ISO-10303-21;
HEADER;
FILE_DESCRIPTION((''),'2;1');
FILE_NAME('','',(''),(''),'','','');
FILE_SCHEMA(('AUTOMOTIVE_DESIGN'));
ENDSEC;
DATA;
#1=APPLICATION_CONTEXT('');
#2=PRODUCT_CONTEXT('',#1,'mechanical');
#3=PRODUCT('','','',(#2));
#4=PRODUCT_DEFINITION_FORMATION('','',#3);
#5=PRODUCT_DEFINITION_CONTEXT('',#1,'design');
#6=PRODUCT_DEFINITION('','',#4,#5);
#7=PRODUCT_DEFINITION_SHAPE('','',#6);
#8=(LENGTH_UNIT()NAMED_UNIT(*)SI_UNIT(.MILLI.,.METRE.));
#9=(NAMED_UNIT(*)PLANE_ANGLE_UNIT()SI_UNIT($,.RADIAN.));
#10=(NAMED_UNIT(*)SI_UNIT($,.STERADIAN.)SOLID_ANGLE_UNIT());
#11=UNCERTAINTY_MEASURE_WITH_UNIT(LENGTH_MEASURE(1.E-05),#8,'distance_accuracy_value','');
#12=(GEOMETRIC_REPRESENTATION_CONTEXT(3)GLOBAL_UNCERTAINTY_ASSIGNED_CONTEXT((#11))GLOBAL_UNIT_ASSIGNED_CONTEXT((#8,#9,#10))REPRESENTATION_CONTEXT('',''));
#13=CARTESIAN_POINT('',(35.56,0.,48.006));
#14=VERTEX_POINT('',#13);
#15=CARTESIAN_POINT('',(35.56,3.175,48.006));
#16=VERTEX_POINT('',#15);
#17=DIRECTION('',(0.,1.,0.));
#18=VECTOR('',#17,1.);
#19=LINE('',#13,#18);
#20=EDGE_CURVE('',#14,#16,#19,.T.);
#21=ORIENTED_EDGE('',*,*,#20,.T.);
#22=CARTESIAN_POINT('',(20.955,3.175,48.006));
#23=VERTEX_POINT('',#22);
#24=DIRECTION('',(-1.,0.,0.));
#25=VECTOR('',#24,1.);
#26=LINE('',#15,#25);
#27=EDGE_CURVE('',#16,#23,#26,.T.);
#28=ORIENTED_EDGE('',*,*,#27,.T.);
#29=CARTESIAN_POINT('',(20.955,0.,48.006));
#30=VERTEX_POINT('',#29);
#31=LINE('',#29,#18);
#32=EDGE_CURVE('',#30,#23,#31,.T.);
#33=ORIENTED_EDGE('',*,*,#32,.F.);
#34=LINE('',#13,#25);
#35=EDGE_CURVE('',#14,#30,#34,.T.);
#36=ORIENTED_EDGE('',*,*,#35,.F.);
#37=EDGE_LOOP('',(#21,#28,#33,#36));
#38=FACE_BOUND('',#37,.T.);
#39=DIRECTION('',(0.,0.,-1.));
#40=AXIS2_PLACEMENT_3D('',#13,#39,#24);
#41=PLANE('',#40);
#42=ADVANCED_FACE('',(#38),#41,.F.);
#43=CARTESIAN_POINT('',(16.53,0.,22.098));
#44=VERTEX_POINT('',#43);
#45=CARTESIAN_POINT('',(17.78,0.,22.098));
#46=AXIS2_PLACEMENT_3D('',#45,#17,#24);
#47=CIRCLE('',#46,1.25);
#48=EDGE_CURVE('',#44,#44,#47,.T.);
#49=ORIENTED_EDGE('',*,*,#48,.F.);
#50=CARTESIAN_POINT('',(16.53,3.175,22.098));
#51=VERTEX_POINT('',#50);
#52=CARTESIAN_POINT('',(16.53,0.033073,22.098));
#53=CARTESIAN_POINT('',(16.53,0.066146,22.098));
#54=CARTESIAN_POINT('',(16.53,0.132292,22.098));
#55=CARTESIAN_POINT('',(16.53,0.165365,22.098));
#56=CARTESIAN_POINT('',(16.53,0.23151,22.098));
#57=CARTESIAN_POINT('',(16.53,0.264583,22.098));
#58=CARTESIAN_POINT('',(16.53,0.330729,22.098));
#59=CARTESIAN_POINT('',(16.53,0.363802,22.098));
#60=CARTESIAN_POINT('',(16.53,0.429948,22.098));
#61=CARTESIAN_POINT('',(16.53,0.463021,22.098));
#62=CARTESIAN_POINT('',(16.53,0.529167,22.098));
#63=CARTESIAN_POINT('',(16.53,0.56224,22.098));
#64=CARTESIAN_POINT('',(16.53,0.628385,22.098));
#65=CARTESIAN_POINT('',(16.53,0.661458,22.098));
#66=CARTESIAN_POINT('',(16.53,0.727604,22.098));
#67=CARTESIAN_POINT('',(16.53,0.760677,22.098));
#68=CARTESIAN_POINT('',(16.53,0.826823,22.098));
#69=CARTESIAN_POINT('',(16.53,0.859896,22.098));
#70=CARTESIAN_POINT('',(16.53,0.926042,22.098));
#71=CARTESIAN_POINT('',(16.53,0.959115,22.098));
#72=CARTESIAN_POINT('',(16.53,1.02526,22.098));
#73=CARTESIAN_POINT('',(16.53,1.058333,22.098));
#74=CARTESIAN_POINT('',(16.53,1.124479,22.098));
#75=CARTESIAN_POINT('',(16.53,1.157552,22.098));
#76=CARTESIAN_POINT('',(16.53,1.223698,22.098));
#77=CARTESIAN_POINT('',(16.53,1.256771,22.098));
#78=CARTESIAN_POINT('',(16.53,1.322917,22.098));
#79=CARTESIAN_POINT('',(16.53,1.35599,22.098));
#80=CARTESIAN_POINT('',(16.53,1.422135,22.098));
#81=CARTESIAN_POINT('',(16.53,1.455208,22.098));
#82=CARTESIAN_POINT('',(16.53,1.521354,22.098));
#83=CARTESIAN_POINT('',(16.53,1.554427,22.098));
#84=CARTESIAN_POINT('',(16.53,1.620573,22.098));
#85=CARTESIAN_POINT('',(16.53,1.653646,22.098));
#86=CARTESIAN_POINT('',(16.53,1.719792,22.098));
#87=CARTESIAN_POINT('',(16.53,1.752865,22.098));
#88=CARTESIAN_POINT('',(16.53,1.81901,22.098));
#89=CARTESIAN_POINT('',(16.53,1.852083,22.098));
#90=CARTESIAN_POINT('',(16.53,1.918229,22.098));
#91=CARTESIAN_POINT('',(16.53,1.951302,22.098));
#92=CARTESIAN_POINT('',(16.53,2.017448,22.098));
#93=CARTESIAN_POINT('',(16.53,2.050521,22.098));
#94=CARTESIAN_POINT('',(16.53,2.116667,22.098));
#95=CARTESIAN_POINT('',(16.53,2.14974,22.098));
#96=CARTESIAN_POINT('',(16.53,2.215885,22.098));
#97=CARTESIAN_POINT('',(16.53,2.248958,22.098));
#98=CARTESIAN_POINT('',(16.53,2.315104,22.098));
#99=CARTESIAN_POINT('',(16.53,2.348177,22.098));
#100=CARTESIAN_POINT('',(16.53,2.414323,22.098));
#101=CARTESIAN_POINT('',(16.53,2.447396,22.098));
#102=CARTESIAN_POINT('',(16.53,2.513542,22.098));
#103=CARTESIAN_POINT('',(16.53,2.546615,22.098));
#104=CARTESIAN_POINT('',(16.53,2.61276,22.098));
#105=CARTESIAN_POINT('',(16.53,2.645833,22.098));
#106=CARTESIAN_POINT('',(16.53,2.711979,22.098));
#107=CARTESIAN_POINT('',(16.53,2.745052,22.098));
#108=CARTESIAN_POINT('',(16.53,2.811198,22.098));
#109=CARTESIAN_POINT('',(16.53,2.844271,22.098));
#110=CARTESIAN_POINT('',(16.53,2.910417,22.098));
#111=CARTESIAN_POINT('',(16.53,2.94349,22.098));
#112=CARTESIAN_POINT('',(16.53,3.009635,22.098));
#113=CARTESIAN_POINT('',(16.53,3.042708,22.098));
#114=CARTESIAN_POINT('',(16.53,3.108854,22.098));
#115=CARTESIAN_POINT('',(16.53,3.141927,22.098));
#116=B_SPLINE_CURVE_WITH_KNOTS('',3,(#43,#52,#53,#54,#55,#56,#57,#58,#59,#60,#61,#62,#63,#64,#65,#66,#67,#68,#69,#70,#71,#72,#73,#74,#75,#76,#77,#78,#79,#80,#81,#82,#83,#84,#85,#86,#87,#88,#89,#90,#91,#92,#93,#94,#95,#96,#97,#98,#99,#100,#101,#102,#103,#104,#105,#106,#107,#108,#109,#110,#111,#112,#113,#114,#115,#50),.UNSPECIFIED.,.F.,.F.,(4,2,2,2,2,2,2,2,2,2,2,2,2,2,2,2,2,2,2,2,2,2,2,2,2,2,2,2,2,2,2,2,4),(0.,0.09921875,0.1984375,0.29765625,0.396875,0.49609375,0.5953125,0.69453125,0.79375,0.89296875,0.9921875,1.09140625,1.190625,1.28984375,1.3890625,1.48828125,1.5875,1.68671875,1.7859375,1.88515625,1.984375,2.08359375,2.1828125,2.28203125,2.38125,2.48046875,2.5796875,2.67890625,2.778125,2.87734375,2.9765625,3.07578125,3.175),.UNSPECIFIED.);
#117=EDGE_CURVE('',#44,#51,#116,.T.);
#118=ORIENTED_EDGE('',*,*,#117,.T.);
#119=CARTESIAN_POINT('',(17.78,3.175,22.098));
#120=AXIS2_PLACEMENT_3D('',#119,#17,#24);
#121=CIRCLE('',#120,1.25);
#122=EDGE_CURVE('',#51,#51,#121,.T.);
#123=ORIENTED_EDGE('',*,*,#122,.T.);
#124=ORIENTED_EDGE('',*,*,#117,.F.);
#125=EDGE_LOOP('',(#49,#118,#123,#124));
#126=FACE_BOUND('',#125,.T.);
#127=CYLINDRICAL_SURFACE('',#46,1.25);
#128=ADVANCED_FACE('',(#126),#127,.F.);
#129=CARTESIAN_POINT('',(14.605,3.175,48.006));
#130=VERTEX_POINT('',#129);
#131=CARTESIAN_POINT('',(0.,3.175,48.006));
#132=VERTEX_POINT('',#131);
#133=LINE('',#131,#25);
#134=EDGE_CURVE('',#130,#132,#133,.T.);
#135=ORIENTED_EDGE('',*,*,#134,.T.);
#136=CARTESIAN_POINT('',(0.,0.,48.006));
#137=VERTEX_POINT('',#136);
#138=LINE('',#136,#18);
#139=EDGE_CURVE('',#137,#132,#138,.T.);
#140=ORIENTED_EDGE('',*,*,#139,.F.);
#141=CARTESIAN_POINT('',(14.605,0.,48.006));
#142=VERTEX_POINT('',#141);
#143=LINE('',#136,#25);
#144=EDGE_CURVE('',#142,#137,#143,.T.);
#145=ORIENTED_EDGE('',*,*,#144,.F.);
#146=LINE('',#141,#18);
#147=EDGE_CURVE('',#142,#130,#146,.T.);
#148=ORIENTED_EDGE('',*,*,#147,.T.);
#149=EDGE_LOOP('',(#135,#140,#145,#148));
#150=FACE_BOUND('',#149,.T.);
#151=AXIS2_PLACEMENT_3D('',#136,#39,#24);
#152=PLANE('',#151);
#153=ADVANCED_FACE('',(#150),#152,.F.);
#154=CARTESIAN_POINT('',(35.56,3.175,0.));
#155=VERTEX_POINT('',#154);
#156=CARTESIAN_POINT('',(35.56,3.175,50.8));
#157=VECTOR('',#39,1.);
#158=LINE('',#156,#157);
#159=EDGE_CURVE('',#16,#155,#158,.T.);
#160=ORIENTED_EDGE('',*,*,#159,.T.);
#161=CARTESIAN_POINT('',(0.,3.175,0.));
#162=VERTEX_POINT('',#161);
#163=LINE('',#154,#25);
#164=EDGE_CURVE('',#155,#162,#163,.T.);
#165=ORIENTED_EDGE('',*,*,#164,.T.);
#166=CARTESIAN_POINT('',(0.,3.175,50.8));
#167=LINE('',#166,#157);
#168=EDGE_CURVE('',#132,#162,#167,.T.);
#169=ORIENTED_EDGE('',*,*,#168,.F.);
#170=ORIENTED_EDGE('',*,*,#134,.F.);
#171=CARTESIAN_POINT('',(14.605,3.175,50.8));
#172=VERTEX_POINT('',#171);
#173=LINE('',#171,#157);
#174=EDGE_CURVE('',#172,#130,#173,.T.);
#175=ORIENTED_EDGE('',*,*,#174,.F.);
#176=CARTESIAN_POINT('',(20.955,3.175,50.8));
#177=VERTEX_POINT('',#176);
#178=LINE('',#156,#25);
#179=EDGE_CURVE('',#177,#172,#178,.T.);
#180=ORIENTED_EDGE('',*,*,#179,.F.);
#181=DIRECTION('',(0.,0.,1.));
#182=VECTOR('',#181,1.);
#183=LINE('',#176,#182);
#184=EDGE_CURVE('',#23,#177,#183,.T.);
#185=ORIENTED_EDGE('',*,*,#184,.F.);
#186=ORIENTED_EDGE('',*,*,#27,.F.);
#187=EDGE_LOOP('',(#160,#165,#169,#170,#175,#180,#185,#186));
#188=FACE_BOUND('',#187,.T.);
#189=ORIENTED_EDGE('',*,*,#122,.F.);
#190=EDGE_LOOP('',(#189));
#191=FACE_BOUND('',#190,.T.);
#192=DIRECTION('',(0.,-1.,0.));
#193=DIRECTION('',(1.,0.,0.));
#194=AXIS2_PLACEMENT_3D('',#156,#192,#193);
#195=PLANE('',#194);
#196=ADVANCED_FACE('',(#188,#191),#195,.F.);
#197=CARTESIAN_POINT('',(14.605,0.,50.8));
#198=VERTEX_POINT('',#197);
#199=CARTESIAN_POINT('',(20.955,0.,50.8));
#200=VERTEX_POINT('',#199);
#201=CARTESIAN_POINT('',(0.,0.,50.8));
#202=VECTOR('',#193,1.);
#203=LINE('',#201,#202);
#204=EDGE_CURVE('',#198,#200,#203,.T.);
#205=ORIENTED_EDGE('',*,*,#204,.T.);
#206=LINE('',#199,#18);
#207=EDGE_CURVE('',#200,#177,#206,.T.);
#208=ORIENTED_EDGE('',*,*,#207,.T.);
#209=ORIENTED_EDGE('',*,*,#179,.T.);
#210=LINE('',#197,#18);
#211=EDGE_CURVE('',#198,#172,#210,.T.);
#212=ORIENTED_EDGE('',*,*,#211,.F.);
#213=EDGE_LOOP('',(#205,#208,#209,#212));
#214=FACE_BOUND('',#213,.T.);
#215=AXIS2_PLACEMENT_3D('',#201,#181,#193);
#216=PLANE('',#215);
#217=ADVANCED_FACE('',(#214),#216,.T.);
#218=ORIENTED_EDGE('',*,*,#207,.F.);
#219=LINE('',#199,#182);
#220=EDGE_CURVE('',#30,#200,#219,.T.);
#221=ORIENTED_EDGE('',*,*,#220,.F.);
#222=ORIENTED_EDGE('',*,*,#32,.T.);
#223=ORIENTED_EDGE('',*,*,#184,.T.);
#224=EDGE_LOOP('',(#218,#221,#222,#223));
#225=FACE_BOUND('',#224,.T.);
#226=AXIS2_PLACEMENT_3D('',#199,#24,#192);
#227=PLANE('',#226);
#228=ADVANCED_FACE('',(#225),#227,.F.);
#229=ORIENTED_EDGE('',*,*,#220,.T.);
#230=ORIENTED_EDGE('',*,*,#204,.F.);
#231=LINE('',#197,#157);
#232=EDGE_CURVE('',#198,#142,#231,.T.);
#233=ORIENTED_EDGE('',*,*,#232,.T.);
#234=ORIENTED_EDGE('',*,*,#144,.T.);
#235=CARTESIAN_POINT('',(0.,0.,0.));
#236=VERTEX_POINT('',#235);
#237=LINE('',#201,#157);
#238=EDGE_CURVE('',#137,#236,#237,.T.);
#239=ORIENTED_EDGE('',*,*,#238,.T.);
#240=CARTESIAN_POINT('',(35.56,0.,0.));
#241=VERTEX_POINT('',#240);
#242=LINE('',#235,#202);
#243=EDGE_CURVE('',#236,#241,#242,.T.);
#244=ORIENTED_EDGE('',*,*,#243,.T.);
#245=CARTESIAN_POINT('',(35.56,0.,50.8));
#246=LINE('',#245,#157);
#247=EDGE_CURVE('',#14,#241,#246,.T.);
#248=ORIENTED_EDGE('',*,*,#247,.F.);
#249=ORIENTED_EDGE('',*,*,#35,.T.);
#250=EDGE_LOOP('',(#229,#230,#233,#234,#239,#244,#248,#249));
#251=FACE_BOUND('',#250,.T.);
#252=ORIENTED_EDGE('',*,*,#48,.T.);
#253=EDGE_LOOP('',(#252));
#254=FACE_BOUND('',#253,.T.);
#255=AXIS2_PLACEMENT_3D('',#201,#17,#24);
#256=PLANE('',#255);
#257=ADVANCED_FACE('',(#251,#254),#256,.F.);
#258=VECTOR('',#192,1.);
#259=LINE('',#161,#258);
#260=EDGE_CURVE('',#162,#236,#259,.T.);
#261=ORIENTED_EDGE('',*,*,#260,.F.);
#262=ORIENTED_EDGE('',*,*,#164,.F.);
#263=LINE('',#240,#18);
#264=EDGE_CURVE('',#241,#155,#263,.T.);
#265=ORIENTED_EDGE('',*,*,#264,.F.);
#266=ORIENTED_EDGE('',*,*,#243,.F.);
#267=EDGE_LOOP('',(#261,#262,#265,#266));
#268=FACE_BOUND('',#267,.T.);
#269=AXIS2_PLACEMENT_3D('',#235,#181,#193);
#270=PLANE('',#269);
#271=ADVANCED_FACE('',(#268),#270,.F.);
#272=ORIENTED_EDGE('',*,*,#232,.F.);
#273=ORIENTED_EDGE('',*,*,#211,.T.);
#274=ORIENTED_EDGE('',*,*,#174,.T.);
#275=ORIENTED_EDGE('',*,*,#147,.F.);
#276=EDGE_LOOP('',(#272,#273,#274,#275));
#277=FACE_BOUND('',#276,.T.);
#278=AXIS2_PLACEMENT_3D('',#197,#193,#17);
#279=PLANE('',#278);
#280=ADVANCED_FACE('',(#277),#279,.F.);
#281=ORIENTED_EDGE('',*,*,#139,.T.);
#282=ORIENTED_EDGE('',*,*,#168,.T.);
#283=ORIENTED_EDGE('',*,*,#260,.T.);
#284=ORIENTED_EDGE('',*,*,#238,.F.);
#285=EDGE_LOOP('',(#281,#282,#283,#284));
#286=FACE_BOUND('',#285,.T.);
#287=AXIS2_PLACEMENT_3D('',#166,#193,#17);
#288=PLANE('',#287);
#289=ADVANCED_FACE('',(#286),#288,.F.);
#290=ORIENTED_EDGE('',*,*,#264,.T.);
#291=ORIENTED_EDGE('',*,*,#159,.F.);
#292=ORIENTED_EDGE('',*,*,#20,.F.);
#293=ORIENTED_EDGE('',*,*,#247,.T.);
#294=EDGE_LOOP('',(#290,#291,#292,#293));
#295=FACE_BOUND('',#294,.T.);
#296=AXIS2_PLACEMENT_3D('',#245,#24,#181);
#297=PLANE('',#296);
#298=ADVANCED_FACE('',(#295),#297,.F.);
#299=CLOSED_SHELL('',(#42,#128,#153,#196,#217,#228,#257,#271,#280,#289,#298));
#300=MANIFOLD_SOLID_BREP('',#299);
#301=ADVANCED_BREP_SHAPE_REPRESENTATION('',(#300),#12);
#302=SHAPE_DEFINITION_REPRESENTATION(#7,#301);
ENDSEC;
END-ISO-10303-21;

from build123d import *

# Parameters (mm, degrees)
SKETCH1_W           = 35.56
SKETCH1_H           = 3.175
BOSS_EXTRUDE1_DEPTH = 50.8
SKETCH2_R           = 1.25
CUT_EXTRUDE1_DEPTH  = 63.090532491
SKETCH3_W           = 14.605
SKETCH3_H           = 2.794
CUT_EXTRUDE2_DEPTH  = 63.090532491


with BuildPart() as part:
    # Sketch1 → Boss-Extrude1 (new body)
    with BuildSketch(Plane.XY):
        with Locations((17.78, 1.5875)):
            Rectangle(SKETCH1_W, SKETCH1_H)
    extrude(amount=BOSS_EXTRUDE1_DEPTH)

    # Sketch2 → Cut-Extrude1 (cut, through all)
    with BuildSketch(Plane(origin=(0, 3.175, 0), x_dir=(1, 0, 0), z_dir=(0, 1, 0))):
        with Locations(Location((17.78, -22.098, 0), (0, 0, 180))):
            Circle(SKETCH2_R)
    extrude(amount=-CUT_EXTRUDE1_DEPTH, mode=Mode.SUBTRACT)

    # Sketch3 → Cut-Extrude2 (cut, through all)
    with BuildSketch(Plane(origin=(0, 3.175, 0), x_dir=(1, 0, 0), z_dir=(0, 1, 0))):
        with Locations((7.3025, -49.403)):
            Rectangle(SKETCH3_W, SKETCH3_H)
        with Locations((28.2575, -49.403)):
            Rectangle(SKETCH3_W, SKETCH3_H)
    extrude(amount=-CUT_EXTRUDE2_DEPTH, mode=Mode.SUBTRACT)


solid = part.part
